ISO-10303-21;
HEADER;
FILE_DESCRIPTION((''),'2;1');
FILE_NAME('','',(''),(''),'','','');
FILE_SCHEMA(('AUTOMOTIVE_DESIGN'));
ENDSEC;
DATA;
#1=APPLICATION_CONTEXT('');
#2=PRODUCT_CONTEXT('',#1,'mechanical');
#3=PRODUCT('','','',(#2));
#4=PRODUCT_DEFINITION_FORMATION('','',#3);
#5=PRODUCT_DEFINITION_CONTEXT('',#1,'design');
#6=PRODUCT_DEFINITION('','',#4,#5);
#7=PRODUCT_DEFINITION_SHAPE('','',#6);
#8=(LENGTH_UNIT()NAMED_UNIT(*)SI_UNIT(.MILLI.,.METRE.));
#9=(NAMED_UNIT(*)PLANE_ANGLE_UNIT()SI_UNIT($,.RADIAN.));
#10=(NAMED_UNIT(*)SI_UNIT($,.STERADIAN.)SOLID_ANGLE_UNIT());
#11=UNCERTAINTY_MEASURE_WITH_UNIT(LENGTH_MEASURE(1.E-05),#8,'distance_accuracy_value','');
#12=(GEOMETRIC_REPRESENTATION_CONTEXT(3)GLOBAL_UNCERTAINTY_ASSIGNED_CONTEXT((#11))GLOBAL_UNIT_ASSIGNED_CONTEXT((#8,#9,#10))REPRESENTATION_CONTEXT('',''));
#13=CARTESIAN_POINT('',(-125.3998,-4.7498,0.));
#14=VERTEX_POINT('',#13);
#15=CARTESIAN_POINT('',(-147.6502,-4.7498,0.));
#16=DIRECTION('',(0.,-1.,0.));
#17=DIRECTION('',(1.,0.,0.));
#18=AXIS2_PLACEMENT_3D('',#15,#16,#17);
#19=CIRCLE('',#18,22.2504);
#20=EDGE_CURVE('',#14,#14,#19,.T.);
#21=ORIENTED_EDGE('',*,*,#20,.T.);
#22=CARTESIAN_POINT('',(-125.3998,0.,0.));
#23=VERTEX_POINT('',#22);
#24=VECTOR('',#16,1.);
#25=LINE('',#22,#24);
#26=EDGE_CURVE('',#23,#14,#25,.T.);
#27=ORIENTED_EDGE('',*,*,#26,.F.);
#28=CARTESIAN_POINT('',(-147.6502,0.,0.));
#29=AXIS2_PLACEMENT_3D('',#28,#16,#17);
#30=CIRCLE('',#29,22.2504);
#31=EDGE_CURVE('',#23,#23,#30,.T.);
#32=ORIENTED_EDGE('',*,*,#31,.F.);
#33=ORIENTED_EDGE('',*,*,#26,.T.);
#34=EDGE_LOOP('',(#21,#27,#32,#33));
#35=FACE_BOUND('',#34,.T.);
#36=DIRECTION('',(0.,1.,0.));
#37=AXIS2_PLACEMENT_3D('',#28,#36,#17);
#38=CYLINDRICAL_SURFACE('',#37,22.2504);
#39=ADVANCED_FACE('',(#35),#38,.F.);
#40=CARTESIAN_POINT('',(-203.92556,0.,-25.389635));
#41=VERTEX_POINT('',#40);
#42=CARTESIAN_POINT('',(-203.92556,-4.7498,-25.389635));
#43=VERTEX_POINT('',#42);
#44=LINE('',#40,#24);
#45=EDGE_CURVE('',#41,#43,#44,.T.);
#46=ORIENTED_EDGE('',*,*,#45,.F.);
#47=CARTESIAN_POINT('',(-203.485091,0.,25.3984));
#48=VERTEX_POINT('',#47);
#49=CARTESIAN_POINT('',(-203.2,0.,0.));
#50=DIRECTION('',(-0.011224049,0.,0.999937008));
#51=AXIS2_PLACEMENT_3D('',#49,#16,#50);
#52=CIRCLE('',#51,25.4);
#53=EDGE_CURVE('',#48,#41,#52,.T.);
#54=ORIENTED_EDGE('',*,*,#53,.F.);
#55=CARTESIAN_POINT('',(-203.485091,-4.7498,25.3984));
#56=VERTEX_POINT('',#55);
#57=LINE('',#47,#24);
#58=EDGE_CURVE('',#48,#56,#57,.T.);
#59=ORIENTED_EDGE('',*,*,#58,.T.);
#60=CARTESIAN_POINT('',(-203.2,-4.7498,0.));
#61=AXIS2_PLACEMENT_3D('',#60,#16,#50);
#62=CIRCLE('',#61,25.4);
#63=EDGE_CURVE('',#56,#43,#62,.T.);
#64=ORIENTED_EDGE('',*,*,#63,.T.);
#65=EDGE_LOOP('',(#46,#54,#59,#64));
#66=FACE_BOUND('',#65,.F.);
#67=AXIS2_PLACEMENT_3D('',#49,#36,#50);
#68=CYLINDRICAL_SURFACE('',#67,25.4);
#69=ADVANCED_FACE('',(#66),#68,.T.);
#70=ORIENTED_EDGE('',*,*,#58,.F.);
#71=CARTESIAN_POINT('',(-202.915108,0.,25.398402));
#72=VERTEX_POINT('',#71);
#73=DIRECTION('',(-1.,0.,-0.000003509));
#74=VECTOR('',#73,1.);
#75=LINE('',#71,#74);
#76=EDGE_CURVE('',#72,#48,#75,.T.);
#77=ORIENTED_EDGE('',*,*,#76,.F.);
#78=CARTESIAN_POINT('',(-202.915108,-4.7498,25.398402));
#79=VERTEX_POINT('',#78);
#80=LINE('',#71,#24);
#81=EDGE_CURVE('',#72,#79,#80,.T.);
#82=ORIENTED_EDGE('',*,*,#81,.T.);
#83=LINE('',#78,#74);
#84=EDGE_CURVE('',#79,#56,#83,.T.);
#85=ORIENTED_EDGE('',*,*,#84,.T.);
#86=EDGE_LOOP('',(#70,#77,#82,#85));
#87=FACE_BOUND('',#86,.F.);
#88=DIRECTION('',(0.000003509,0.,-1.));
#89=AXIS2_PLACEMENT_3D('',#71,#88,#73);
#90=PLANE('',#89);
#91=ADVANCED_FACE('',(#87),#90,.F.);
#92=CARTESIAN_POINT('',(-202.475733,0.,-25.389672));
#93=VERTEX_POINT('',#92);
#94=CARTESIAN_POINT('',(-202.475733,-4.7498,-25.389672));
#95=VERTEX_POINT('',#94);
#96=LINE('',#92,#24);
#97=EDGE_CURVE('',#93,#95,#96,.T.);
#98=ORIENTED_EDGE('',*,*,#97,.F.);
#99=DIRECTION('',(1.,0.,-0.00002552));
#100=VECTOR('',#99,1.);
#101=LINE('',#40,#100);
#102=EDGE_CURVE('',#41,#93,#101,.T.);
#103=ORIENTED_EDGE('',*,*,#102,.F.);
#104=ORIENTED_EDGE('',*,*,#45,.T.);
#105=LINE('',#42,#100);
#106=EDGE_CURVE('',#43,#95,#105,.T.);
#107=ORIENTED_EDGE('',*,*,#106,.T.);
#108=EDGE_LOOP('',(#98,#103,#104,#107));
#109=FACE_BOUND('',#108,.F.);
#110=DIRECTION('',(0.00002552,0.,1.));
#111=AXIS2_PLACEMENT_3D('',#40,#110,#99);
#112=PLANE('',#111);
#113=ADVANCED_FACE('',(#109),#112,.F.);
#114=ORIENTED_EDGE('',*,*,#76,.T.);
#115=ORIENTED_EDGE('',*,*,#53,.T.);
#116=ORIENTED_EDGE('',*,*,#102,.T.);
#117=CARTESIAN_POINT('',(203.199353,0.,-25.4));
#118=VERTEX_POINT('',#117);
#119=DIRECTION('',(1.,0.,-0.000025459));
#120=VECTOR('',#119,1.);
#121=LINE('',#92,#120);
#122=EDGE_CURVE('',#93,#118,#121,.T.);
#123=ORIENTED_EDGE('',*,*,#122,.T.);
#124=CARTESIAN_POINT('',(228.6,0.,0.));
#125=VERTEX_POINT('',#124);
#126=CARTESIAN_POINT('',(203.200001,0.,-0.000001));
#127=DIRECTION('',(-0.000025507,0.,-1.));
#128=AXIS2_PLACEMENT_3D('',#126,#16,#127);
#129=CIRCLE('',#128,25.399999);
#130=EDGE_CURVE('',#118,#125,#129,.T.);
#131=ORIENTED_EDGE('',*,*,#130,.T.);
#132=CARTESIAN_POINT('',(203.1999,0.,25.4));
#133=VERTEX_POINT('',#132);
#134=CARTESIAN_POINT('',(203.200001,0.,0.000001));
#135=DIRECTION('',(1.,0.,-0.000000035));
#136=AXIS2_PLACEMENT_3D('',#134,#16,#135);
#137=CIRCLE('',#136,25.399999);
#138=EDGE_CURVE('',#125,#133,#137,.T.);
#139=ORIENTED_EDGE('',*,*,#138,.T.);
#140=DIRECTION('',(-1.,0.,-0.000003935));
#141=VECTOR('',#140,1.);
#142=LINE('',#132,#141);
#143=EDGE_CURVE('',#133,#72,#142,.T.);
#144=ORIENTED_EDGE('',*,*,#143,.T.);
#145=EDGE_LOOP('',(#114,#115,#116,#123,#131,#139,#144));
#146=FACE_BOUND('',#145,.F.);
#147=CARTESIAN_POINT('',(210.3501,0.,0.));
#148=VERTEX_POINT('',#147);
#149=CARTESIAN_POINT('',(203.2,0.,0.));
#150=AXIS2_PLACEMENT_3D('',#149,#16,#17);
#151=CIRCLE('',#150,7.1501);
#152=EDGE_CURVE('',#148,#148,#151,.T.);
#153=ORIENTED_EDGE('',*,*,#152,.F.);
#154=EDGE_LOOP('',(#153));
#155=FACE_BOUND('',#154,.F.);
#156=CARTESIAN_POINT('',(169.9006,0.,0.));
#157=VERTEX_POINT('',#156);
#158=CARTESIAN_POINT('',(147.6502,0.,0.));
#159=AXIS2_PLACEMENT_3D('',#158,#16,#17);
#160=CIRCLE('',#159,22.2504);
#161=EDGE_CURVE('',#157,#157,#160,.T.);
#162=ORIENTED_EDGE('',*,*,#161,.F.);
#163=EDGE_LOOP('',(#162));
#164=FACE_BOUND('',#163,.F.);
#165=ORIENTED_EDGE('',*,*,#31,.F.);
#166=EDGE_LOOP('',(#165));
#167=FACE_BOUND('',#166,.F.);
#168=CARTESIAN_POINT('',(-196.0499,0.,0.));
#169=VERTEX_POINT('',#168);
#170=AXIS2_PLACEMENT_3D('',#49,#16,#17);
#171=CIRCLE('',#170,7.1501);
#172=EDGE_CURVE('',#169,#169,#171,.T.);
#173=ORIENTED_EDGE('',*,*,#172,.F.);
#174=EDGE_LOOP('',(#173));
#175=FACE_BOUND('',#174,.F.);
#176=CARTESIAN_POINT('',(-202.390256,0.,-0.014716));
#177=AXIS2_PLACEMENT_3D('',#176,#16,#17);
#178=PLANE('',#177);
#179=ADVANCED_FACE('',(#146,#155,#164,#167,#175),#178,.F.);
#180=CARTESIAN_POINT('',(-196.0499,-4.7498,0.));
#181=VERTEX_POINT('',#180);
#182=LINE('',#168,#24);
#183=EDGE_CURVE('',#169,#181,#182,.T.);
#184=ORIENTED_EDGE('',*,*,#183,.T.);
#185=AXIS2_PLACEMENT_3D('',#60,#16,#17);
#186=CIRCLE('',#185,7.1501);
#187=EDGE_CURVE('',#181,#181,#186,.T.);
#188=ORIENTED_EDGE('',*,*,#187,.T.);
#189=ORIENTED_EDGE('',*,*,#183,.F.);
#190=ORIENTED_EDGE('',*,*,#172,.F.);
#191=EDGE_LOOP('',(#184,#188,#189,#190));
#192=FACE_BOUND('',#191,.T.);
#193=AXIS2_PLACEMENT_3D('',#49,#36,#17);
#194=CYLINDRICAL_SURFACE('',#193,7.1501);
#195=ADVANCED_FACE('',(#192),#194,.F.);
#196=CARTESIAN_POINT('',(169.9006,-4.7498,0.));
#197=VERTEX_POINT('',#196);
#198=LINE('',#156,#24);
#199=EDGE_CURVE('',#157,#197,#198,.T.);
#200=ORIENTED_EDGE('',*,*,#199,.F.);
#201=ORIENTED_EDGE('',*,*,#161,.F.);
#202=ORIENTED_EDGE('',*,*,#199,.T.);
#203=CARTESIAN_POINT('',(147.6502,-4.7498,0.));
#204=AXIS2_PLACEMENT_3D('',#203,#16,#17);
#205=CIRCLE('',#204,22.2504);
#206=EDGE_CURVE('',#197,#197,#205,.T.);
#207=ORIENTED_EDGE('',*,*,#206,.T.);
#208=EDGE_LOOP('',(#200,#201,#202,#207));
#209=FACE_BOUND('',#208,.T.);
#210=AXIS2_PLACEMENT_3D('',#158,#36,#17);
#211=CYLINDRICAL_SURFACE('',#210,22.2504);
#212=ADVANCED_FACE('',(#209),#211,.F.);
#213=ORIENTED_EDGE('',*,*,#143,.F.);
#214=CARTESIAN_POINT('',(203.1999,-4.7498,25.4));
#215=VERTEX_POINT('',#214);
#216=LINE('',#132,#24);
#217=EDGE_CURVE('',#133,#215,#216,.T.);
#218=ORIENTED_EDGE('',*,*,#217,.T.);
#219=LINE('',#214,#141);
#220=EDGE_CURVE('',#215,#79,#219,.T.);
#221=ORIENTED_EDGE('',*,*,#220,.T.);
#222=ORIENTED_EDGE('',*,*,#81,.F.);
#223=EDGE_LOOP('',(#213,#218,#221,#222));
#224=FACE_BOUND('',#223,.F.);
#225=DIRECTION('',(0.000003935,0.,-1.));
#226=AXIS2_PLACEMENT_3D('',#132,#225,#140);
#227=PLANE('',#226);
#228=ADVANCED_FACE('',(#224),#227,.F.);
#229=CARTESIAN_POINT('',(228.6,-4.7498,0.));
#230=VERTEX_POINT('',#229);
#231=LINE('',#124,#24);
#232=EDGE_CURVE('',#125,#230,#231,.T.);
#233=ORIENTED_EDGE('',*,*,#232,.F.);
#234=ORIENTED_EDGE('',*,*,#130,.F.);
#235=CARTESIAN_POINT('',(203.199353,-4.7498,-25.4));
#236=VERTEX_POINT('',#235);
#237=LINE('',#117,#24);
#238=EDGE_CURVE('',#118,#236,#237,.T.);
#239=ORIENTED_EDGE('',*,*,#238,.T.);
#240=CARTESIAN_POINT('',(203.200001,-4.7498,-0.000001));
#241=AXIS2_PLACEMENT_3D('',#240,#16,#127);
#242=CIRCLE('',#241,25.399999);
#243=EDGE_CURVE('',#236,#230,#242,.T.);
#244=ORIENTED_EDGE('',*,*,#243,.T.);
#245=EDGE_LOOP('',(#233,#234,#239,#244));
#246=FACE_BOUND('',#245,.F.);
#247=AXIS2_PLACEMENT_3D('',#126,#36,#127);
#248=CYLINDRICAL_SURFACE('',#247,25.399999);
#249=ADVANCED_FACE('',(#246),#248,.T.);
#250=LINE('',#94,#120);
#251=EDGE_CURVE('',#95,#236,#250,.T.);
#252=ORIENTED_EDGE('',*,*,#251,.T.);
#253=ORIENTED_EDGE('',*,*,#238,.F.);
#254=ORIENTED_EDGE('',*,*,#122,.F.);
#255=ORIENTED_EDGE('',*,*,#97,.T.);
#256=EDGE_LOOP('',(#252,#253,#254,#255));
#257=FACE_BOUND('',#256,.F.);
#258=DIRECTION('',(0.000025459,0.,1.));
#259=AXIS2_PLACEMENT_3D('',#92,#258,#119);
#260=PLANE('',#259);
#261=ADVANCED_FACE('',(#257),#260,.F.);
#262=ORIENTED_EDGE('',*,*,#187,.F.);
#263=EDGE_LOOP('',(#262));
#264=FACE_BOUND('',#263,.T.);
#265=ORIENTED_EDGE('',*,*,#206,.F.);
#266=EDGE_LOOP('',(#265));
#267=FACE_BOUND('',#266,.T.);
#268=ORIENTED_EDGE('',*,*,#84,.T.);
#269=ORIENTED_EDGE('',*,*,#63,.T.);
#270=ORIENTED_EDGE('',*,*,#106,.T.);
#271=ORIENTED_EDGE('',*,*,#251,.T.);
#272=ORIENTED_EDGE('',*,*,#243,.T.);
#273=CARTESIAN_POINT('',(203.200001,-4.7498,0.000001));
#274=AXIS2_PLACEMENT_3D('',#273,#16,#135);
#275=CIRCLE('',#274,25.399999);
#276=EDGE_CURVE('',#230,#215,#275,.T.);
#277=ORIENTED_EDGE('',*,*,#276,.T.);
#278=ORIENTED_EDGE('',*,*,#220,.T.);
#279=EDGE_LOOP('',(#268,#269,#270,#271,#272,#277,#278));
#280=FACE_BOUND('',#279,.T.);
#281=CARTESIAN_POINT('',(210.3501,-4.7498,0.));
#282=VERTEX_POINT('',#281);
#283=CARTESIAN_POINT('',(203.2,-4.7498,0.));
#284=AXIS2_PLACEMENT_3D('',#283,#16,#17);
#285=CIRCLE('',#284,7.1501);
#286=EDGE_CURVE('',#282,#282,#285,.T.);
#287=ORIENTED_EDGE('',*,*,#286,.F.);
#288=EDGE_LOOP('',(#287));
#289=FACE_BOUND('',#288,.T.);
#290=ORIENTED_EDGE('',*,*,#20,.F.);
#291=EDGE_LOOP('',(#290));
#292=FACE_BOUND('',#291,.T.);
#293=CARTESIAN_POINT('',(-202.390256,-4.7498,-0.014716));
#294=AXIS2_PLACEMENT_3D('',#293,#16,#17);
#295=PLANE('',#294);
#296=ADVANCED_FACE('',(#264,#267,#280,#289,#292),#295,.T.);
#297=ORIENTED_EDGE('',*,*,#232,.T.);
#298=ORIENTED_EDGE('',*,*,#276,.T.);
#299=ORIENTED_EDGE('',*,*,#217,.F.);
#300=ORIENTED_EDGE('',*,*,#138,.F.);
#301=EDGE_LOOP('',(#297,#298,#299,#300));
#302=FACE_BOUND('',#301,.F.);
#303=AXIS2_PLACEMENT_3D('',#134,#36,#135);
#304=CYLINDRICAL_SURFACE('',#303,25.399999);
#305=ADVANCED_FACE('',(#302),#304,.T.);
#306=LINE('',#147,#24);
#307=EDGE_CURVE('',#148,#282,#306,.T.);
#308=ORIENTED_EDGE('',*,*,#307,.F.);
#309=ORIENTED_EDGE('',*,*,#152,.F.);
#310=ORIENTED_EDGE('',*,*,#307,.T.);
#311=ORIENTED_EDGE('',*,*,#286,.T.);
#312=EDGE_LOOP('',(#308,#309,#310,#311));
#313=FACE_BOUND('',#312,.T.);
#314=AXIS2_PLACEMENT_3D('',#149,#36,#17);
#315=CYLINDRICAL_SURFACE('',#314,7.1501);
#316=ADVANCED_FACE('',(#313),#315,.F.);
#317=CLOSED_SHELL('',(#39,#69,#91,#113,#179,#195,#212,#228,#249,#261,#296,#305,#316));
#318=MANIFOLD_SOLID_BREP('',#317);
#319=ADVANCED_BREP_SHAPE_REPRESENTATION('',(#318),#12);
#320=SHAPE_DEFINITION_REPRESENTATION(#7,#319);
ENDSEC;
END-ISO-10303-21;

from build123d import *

# Parameters (mm, degrees)
F0_R     = 7.1501
F0_R_2   = 22.2504
F1_DEPTH = 4.7498


with BuildPart() as f1:
    # F0 (on Front) → F1 (new body)
    with BuildSketch(Plane.XZ):
        with BuildLine():
            Line((-202.915108, 25.398402), (-203.485091, 25.3984))
            ThreePointArc((-203.485091, 25.3984), (-228.599045, 0.220278), (-203.92556, -25.389635))
            Line((-203.92556, -25.389635), (-202.475733, -25.389672))
            ThreePointArc((-202.475733, -25.389672), (-184.98522, -17.702593), (-177.8, 0))
            ThreePointArc((-177.8, 0), (-185.139044, 17.859504), (-202.915108, 25.398402))
        make_face()
        with Locations((-203.2, 0)):
            Circle(F0_R, mode=Mode.SUBTRACT)
        with BuildLine():
            Line((203.1999, 25.4), (-202.915108, 25.398402))
            ThreePointArc((-202.915108, 25.398402), (-185.139044, 17.859504), (-177.8, 0))
            ThreePointArc((-177.8, 0), (-184.98522, -17.702593), (-202.475733, -25.389672))
            Line((-202.475733, -25.389672), (203.199353, -25.4))
            ThreePointArc((203.199353, -25.4), (177.8, 0.000273), (203.1999, 25.4))
        make_face()
        with Locations((-147.6502, 0)):
            Circle(F0_R_2, mode=Mode.SUBTRACT)
        with Locations((147.6502, 0)):
            Circle(F0_R_2, mode=Mode.SUBTRACT)
        with BuildLine():
            ThreePointArc((228.6, 0), (221.160477, 17.960548), (203.1999, 25.4))
            ThreePointArc((203.1999, 25.4), (177.8, 0.000273), (203.199353, -25.4))
            ThreePointArc((203.199353, -25.4), (221.160284, -17.960741), (228.6, 0))
        make_face()
        with Locations((203.2, 0)):
            Circle(F0_R, mode=Mode.SUBTRACT)
    extrude(amount=F1_DEPTH)


solid = f1.part
